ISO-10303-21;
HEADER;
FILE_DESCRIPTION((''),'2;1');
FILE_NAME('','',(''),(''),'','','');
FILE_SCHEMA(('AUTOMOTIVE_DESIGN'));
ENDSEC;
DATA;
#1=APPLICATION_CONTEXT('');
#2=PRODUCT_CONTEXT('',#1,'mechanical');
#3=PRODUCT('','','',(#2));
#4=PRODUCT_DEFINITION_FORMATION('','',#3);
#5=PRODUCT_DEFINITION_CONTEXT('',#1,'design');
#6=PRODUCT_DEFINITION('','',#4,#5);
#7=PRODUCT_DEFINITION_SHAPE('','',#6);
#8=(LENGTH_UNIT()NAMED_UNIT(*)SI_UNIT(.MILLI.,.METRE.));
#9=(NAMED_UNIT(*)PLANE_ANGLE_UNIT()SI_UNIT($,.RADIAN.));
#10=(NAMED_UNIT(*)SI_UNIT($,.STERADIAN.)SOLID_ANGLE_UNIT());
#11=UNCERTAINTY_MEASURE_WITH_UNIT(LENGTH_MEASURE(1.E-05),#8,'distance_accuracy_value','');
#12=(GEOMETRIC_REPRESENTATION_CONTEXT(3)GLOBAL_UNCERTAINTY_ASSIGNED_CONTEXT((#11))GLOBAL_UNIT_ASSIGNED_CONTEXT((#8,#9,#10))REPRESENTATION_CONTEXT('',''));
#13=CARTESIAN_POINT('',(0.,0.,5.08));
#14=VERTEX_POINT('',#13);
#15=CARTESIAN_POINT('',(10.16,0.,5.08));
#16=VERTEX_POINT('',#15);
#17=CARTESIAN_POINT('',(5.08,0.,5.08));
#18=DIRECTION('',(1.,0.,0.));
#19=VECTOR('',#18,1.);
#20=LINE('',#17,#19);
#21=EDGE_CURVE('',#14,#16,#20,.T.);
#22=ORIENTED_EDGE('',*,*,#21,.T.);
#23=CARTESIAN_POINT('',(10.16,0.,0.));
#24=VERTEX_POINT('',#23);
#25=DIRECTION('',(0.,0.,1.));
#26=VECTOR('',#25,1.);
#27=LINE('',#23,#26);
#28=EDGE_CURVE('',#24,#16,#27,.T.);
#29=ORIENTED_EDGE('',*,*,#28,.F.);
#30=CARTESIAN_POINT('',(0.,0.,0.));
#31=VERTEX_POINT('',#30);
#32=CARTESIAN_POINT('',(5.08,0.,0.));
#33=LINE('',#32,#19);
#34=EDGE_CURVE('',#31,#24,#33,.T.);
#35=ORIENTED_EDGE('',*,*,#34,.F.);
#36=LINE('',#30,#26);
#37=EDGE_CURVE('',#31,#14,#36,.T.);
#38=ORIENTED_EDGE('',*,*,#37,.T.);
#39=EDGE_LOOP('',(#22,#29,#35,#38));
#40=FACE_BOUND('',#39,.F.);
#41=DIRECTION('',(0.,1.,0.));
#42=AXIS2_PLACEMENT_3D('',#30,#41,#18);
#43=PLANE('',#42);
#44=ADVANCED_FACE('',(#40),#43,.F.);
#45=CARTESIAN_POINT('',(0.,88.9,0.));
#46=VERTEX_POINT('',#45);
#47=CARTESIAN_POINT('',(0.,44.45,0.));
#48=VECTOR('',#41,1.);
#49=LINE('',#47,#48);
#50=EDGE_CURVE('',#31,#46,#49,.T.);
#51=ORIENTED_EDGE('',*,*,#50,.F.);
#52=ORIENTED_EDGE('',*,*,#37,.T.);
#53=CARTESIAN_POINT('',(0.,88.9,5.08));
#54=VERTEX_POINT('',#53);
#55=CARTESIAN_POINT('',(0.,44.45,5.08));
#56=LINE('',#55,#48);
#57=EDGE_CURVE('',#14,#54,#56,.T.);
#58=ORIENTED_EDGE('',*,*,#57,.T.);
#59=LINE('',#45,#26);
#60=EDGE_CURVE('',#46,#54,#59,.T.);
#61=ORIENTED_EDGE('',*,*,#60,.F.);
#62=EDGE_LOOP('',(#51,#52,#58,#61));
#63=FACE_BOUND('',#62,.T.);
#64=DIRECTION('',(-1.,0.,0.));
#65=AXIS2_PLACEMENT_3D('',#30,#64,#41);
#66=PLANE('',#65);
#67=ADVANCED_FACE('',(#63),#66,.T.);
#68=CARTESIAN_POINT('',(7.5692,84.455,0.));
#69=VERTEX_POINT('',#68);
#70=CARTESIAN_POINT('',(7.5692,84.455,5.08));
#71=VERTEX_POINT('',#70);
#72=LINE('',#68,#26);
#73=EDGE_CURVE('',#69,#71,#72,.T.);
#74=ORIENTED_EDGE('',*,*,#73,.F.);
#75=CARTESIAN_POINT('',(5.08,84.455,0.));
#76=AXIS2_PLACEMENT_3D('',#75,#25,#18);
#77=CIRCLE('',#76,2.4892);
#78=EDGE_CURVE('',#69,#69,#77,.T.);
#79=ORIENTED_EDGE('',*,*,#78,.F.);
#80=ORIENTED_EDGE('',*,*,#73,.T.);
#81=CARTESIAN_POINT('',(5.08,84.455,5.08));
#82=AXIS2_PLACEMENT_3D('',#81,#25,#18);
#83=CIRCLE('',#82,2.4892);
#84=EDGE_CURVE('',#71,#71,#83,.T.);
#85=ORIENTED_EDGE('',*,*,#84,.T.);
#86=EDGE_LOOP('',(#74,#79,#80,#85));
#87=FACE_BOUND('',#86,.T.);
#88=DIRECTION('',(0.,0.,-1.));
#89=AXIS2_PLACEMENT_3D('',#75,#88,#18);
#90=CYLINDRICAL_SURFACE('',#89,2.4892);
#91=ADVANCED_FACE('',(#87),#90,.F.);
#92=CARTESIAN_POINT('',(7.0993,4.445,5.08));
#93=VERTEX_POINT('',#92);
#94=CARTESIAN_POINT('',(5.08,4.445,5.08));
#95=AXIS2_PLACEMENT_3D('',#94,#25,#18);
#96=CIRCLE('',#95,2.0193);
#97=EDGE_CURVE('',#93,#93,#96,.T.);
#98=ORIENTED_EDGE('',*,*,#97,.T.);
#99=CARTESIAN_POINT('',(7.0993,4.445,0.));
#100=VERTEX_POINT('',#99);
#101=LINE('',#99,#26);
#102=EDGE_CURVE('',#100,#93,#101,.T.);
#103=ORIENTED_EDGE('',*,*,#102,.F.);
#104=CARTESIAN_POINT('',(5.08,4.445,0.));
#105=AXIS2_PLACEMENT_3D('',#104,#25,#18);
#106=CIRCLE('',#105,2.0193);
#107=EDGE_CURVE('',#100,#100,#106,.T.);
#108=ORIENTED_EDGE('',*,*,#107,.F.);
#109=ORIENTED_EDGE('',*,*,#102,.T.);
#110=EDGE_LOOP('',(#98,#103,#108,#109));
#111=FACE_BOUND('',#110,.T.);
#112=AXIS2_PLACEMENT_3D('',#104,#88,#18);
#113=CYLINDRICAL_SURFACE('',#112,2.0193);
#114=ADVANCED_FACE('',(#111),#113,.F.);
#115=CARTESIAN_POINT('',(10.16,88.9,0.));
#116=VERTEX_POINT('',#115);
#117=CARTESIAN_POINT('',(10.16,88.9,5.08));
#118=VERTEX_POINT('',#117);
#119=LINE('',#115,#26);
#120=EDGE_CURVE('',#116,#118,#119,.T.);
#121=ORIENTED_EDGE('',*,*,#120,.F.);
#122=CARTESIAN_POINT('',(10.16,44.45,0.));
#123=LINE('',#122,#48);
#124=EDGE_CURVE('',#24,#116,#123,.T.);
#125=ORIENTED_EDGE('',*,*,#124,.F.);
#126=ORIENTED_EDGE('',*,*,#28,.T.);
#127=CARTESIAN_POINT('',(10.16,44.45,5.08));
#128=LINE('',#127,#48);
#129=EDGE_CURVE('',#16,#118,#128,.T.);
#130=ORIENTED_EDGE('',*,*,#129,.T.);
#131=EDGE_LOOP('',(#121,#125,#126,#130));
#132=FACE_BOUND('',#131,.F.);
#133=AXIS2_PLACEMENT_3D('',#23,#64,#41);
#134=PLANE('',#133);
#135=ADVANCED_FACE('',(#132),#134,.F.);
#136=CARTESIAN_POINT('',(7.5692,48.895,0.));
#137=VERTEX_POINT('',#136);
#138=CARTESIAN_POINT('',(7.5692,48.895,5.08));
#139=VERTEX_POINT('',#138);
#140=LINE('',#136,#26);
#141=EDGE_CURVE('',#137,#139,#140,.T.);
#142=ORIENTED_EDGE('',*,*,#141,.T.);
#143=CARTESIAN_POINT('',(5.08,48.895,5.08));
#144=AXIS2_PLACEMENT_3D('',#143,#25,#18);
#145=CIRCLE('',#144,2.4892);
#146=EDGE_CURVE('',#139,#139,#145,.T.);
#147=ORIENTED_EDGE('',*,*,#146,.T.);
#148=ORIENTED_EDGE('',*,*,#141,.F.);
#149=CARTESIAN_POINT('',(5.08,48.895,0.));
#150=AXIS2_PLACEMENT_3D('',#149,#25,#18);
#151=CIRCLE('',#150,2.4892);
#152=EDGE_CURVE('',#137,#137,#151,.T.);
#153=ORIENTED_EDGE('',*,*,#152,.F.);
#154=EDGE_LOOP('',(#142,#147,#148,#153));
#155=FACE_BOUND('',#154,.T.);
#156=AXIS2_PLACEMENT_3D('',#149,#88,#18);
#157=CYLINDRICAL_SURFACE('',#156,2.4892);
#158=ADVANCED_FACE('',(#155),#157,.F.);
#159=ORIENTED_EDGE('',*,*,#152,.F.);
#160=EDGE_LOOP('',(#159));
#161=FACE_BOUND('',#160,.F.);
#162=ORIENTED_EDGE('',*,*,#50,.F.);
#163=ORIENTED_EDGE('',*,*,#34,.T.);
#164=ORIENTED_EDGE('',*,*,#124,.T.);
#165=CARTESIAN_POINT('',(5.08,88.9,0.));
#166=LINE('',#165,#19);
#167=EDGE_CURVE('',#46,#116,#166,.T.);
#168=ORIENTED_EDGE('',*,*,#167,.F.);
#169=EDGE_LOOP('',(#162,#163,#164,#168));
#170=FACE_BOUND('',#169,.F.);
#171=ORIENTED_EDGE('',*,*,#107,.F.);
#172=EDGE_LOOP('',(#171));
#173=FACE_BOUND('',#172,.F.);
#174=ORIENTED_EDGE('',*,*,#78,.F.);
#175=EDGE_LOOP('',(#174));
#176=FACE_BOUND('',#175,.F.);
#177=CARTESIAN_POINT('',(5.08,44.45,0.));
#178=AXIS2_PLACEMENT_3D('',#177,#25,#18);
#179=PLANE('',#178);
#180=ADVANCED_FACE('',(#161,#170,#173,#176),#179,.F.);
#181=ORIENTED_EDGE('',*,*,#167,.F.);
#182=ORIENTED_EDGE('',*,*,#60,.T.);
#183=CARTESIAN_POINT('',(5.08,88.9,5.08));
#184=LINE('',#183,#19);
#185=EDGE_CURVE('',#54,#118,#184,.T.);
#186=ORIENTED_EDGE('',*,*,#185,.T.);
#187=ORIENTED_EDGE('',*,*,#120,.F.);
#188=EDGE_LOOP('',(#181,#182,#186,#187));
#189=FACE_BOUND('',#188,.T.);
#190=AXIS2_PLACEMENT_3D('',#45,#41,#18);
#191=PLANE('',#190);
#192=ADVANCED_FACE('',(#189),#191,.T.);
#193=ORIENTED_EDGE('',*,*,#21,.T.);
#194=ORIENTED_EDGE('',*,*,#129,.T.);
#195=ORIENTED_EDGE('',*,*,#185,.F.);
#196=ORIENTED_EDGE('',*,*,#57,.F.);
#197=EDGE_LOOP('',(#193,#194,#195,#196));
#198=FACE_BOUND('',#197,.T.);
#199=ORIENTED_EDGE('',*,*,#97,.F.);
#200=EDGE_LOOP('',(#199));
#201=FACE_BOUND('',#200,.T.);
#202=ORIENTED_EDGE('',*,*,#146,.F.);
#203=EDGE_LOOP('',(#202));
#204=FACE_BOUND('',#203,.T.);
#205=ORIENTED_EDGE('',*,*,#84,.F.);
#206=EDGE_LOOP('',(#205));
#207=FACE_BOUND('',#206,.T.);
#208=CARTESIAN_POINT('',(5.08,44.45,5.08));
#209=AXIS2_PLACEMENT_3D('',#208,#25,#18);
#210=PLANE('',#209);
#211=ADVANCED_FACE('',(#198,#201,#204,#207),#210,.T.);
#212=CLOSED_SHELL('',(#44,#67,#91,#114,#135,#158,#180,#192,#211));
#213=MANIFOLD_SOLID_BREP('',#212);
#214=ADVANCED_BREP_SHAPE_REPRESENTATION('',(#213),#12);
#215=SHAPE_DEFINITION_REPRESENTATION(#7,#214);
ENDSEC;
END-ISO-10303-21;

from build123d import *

# Parameters (mm, degrees)
F0_W     = 10.16
F0_H     = 88.9
F0_R     = 2.0193
F0_R_2   = 2.4892
F1_DEPTH = 5.08


with BuildPart() as f1:
    # F0 (on Top) → F1 (new body)
    with BuildSketch(Plane.XY):
        with Locations((5.08, 44.45)):
            Rectangle(F0_W, F0_H)
        with Locations((5.08, 4.445)):
            Circle(F0_R, mode=Mode.SUBTRACT)
        with Locations((5.08, 48.895)):
            Circle(F0_R_2, mode=Mode.SUBTRACT)
        with Locations((5.08, 84.455)):
            Circle(F0_R_2, mode=Mode.SUBTRACT)
    extrude(amount=F1_DEPTH)


solid = f1.part
